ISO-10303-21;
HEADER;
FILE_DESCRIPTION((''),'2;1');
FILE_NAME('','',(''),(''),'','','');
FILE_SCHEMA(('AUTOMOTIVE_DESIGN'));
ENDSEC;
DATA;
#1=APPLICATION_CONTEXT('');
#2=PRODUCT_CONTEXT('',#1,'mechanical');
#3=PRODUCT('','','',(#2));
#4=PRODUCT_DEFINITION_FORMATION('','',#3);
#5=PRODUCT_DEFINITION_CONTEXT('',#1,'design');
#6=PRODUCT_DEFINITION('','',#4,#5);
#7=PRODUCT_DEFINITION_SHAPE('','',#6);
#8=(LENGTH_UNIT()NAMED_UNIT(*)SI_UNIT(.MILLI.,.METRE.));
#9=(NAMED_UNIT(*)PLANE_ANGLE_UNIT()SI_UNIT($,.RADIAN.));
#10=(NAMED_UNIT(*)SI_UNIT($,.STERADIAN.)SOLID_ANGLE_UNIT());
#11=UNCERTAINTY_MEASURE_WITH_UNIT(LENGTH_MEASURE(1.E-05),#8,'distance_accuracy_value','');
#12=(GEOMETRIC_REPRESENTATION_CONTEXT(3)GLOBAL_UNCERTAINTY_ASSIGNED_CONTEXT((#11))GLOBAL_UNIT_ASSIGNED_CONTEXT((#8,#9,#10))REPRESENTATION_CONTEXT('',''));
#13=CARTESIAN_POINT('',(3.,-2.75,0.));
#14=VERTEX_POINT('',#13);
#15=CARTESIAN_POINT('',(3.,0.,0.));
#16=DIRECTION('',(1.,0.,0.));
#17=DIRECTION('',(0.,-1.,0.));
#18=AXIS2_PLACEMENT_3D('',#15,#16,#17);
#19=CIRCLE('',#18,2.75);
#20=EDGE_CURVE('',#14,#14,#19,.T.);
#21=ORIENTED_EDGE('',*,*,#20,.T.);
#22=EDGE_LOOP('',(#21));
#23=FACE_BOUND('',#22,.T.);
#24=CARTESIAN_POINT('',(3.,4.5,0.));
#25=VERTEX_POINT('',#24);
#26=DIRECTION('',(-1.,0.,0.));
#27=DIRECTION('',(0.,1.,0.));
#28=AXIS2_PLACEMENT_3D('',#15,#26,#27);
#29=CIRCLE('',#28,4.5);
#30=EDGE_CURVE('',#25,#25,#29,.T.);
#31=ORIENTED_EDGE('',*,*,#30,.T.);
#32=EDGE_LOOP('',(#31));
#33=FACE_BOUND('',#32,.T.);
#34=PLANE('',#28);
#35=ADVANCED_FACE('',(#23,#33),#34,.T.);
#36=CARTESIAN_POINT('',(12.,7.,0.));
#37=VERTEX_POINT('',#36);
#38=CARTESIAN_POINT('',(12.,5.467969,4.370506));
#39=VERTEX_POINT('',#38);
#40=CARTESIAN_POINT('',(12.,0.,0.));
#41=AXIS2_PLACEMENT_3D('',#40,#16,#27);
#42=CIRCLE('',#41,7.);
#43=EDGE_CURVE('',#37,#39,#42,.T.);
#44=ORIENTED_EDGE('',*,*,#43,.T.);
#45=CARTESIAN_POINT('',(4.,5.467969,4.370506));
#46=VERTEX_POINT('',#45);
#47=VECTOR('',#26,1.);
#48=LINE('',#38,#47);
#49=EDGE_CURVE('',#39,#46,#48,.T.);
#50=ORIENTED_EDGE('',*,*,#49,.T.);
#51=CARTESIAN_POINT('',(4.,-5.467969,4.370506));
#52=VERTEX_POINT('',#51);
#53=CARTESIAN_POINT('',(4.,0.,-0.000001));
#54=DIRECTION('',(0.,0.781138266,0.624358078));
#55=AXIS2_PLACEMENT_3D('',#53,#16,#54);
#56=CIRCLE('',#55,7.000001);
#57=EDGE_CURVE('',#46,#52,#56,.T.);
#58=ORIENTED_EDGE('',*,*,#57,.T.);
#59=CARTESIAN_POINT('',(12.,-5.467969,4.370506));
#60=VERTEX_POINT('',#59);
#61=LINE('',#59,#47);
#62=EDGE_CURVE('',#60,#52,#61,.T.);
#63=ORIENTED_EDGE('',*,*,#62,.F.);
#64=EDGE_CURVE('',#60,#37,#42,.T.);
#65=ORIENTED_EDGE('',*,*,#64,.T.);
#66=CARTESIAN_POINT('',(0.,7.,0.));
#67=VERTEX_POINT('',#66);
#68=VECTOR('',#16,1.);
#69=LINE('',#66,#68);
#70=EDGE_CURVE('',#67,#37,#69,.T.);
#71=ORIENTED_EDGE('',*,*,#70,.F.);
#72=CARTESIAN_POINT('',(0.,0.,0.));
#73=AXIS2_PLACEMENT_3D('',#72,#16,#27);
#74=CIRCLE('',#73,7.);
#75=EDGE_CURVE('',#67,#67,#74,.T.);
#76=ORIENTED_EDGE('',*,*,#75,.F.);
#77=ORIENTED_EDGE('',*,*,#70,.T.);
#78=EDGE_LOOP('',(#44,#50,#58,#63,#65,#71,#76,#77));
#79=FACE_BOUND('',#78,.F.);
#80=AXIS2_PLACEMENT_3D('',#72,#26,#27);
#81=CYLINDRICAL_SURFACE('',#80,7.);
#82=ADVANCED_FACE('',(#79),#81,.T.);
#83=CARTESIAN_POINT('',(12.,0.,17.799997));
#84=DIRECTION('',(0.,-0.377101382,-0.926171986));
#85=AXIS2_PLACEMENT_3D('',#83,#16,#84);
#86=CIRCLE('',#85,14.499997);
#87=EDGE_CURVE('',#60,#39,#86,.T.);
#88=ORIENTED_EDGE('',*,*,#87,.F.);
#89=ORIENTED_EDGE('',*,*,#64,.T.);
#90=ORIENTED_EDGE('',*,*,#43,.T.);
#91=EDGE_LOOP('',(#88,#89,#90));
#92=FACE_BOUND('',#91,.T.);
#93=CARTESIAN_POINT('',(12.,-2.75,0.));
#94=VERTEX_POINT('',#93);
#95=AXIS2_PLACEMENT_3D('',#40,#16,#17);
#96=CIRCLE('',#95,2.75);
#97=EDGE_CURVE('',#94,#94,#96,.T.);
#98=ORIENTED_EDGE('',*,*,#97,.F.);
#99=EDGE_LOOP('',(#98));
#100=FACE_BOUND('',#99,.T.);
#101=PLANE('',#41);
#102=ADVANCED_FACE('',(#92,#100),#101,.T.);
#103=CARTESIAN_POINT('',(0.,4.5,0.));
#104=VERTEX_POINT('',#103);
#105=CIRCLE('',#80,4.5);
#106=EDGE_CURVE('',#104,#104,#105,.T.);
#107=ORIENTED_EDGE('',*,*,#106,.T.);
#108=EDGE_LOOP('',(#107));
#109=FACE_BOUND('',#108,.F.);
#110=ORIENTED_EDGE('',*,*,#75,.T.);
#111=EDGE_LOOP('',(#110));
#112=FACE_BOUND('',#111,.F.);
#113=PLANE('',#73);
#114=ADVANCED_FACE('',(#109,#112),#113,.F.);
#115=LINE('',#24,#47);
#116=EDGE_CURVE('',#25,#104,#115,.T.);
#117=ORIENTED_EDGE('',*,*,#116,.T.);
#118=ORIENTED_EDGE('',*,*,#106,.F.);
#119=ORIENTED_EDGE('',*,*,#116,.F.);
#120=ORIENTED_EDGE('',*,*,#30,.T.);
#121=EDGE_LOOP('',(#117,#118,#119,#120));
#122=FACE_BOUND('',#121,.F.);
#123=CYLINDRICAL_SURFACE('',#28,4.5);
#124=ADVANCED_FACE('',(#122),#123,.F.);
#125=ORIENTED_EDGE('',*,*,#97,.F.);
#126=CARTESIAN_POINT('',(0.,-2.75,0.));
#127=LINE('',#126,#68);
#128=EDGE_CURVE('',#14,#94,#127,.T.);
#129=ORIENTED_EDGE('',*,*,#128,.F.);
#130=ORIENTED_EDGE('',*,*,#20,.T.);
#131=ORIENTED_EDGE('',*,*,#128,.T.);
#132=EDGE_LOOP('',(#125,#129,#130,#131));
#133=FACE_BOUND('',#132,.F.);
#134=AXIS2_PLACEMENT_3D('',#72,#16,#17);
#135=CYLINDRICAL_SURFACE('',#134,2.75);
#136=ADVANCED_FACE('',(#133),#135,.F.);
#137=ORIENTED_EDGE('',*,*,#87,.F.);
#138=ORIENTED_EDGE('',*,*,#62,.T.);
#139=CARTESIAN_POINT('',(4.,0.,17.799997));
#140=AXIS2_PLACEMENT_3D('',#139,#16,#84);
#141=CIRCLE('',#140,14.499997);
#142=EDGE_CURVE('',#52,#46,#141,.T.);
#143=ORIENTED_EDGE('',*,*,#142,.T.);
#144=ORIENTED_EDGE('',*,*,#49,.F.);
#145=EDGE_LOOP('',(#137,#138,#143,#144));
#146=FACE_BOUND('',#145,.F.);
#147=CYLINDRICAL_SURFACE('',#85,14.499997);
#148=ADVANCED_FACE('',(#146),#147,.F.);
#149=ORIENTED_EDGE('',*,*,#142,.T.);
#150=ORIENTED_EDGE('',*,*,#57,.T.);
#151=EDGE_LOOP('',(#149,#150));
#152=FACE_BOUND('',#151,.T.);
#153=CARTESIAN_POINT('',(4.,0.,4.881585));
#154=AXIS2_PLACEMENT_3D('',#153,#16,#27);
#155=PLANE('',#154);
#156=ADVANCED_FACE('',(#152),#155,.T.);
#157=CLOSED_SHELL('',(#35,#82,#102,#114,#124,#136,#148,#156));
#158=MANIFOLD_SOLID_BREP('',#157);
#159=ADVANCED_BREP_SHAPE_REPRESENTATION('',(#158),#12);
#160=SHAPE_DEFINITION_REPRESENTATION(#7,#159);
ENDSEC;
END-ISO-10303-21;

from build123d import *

# Parameters (mm, degrees)
F0_R           = 7
F1_DEPTH       = 12
F2_D           = 5.5
F2_CBORE_D     = 9
F2_CBORE_DEPTH = 3
F4_DEPTH       = 8


with BuildPart() as f1:
    # F0 (on Right) → F1 (new body)
    with BuildSketch(Plane.YZ):
        Circle(F0_R)
    extrude(amount=F1_DEPTH)

    # F2 (through all)
    with Locations(Plane(origin=(0, 0, 0), x_dir=(0, 1, 0), z_dir=(-1, 0, 0))):
        with Locations((0, 0)):
            CounterBoreHole(F2_D / 2, F2_CBORE_D / 2, F2_CBORE_DEPTH)

    # F3 (on face) → F4 (cut)
    with BuildSketch(Plane.YZ.offset(12)):
        with BuildLine():
            ThreePointArc((5.467969, 4.370506), (0, 7), (-5.467969, 4.370506))
            ThreePointArc((-5.467969, 4.370506), (0, 3.3), (5.467969, 4.370506))
        make_face()
    extrude(amount=-F4_DEPTH, mode=Mode.SUBTRACT)


solid = f1.part
